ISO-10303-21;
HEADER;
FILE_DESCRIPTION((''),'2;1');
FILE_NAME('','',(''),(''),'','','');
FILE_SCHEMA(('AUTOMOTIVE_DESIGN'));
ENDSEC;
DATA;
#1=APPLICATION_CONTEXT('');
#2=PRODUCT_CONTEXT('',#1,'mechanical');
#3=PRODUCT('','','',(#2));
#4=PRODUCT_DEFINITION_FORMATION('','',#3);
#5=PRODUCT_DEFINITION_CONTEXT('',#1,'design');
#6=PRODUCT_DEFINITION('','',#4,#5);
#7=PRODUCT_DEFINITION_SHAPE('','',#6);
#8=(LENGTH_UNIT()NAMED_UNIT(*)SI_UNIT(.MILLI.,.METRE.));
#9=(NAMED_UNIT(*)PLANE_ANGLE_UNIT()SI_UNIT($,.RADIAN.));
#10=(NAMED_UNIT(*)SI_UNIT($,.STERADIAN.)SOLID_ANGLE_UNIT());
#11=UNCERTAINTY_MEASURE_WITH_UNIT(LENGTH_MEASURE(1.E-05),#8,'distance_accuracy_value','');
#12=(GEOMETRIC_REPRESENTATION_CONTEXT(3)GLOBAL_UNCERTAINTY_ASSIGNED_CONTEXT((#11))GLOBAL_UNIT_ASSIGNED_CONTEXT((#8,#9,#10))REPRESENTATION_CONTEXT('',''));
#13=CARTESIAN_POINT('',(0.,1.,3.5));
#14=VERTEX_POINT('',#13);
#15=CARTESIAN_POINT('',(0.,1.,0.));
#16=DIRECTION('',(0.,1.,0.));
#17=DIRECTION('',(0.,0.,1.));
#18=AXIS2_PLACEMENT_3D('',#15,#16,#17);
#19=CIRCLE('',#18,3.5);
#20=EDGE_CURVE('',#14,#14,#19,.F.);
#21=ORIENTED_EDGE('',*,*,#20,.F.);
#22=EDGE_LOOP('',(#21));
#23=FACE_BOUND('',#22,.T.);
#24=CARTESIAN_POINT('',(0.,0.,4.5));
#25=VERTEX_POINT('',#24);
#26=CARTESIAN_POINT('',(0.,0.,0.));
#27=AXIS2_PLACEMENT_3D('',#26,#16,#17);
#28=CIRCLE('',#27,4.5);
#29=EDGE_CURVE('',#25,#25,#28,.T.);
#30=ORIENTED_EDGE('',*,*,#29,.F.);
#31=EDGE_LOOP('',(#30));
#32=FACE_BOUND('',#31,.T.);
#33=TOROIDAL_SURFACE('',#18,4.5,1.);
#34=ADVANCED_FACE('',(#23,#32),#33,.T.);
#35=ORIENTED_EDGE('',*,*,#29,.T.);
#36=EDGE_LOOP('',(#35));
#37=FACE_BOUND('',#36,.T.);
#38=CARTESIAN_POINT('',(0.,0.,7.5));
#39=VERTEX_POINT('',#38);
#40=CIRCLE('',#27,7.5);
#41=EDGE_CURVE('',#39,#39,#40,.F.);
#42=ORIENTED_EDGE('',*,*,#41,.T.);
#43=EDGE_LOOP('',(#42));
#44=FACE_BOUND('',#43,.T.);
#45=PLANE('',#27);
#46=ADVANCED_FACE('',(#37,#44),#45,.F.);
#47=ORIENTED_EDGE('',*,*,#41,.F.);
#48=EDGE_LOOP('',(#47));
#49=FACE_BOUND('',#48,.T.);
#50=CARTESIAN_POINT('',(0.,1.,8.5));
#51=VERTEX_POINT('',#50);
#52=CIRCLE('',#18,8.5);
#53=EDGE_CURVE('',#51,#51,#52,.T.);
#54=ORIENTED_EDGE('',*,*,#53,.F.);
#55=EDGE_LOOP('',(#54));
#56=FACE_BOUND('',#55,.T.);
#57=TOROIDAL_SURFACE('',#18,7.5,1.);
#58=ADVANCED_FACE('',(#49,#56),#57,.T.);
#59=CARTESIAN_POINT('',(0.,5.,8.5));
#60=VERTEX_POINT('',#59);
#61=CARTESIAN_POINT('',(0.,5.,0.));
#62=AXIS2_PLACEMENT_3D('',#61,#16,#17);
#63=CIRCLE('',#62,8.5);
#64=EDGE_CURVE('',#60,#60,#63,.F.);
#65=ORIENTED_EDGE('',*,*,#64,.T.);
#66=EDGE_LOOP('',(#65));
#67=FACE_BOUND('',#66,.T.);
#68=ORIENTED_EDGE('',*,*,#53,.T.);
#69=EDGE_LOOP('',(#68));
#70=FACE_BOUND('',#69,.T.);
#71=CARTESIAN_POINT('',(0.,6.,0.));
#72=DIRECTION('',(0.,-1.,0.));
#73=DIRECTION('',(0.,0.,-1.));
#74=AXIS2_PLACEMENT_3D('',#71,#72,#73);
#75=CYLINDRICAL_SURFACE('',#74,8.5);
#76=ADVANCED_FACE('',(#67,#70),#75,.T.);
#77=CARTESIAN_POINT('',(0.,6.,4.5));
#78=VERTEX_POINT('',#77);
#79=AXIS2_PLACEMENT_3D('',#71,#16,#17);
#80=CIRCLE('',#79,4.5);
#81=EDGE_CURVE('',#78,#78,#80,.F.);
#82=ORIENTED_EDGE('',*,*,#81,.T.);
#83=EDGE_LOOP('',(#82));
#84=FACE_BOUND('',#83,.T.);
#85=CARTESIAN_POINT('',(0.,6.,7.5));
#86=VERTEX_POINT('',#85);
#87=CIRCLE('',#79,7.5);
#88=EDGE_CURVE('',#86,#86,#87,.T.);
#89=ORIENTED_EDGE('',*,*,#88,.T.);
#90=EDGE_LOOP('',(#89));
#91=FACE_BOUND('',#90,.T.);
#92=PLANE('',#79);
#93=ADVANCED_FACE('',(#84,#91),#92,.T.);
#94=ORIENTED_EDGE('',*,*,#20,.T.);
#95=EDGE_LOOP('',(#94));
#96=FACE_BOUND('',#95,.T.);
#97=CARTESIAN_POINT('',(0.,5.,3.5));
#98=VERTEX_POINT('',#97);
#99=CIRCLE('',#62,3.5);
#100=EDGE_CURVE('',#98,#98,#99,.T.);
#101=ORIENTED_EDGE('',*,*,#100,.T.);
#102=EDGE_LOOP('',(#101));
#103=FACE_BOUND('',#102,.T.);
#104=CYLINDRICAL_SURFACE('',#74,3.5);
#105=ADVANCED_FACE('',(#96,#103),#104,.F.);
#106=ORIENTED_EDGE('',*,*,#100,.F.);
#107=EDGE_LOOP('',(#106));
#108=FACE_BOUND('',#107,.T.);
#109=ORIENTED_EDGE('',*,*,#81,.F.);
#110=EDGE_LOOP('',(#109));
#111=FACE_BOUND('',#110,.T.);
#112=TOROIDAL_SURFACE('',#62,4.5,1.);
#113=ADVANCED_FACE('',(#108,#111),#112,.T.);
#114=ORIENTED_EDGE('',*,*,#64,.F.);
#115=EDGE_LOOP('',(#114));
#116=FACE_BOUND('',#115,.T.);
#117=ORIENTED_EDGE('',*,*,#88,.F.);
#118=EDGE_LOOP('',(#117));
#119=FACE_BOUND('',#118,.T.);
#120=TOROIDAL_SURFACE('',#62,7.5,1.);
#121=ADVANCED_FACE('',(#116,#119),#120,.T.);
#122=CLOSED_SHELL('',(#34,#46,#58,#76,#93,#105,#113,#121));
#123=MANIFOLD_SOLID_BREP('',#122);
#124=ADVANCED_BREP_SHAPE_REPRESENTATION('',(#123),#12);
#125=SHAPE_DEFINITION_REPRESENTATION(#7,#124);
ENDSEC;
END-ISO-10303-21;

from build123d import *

# Parameters (mm, degrees)
SKETCH_1_R      = 8.5
SKETCH_1_R_2    = 3.5
EXTRUDE_1_DEPTH = 6
FILLET_1_R      = 1
FILLET_2_R      = 1


with BuildPart() as part:
    # 草圖1 → 填料-伸長1 (new body)
    with BuildSketch(Plane(origin=(0, 0, 0), x_dir=(1, 0, 0), z_dir=(0, 1, 0))):
        with Locations(Location((0, 0, 0), (0, 0, 270))):
            Circle(SKETCH_1_R)
        with Locations(Location((0, 0, 0), (0, 0, 270))):
            Circle(SKETCH_1_R_2, mode=Mode.SUBTRACT)
    extrude(amount=EXTRUDE_1_DEPTH)

    # 圓角1
    fillet_1_edges = [part.edges().sort_by_distance(p)[0] for p in [
        (0, 6, -8.5),
        (0, 0, -3.5),
        (0, 6, -3.5),
    ]]
    fillet(fillet_1_edges, radius=FILLET_1_R)

    # 圓角2
    fillet_2_edges = [part.edges().sort_by_distance(p)[0] for p in [
        (0, 0, -8.5),
    ]]
    fillet(fillet_2_edges, radius=FILLET_2_R)


solid = part.part
